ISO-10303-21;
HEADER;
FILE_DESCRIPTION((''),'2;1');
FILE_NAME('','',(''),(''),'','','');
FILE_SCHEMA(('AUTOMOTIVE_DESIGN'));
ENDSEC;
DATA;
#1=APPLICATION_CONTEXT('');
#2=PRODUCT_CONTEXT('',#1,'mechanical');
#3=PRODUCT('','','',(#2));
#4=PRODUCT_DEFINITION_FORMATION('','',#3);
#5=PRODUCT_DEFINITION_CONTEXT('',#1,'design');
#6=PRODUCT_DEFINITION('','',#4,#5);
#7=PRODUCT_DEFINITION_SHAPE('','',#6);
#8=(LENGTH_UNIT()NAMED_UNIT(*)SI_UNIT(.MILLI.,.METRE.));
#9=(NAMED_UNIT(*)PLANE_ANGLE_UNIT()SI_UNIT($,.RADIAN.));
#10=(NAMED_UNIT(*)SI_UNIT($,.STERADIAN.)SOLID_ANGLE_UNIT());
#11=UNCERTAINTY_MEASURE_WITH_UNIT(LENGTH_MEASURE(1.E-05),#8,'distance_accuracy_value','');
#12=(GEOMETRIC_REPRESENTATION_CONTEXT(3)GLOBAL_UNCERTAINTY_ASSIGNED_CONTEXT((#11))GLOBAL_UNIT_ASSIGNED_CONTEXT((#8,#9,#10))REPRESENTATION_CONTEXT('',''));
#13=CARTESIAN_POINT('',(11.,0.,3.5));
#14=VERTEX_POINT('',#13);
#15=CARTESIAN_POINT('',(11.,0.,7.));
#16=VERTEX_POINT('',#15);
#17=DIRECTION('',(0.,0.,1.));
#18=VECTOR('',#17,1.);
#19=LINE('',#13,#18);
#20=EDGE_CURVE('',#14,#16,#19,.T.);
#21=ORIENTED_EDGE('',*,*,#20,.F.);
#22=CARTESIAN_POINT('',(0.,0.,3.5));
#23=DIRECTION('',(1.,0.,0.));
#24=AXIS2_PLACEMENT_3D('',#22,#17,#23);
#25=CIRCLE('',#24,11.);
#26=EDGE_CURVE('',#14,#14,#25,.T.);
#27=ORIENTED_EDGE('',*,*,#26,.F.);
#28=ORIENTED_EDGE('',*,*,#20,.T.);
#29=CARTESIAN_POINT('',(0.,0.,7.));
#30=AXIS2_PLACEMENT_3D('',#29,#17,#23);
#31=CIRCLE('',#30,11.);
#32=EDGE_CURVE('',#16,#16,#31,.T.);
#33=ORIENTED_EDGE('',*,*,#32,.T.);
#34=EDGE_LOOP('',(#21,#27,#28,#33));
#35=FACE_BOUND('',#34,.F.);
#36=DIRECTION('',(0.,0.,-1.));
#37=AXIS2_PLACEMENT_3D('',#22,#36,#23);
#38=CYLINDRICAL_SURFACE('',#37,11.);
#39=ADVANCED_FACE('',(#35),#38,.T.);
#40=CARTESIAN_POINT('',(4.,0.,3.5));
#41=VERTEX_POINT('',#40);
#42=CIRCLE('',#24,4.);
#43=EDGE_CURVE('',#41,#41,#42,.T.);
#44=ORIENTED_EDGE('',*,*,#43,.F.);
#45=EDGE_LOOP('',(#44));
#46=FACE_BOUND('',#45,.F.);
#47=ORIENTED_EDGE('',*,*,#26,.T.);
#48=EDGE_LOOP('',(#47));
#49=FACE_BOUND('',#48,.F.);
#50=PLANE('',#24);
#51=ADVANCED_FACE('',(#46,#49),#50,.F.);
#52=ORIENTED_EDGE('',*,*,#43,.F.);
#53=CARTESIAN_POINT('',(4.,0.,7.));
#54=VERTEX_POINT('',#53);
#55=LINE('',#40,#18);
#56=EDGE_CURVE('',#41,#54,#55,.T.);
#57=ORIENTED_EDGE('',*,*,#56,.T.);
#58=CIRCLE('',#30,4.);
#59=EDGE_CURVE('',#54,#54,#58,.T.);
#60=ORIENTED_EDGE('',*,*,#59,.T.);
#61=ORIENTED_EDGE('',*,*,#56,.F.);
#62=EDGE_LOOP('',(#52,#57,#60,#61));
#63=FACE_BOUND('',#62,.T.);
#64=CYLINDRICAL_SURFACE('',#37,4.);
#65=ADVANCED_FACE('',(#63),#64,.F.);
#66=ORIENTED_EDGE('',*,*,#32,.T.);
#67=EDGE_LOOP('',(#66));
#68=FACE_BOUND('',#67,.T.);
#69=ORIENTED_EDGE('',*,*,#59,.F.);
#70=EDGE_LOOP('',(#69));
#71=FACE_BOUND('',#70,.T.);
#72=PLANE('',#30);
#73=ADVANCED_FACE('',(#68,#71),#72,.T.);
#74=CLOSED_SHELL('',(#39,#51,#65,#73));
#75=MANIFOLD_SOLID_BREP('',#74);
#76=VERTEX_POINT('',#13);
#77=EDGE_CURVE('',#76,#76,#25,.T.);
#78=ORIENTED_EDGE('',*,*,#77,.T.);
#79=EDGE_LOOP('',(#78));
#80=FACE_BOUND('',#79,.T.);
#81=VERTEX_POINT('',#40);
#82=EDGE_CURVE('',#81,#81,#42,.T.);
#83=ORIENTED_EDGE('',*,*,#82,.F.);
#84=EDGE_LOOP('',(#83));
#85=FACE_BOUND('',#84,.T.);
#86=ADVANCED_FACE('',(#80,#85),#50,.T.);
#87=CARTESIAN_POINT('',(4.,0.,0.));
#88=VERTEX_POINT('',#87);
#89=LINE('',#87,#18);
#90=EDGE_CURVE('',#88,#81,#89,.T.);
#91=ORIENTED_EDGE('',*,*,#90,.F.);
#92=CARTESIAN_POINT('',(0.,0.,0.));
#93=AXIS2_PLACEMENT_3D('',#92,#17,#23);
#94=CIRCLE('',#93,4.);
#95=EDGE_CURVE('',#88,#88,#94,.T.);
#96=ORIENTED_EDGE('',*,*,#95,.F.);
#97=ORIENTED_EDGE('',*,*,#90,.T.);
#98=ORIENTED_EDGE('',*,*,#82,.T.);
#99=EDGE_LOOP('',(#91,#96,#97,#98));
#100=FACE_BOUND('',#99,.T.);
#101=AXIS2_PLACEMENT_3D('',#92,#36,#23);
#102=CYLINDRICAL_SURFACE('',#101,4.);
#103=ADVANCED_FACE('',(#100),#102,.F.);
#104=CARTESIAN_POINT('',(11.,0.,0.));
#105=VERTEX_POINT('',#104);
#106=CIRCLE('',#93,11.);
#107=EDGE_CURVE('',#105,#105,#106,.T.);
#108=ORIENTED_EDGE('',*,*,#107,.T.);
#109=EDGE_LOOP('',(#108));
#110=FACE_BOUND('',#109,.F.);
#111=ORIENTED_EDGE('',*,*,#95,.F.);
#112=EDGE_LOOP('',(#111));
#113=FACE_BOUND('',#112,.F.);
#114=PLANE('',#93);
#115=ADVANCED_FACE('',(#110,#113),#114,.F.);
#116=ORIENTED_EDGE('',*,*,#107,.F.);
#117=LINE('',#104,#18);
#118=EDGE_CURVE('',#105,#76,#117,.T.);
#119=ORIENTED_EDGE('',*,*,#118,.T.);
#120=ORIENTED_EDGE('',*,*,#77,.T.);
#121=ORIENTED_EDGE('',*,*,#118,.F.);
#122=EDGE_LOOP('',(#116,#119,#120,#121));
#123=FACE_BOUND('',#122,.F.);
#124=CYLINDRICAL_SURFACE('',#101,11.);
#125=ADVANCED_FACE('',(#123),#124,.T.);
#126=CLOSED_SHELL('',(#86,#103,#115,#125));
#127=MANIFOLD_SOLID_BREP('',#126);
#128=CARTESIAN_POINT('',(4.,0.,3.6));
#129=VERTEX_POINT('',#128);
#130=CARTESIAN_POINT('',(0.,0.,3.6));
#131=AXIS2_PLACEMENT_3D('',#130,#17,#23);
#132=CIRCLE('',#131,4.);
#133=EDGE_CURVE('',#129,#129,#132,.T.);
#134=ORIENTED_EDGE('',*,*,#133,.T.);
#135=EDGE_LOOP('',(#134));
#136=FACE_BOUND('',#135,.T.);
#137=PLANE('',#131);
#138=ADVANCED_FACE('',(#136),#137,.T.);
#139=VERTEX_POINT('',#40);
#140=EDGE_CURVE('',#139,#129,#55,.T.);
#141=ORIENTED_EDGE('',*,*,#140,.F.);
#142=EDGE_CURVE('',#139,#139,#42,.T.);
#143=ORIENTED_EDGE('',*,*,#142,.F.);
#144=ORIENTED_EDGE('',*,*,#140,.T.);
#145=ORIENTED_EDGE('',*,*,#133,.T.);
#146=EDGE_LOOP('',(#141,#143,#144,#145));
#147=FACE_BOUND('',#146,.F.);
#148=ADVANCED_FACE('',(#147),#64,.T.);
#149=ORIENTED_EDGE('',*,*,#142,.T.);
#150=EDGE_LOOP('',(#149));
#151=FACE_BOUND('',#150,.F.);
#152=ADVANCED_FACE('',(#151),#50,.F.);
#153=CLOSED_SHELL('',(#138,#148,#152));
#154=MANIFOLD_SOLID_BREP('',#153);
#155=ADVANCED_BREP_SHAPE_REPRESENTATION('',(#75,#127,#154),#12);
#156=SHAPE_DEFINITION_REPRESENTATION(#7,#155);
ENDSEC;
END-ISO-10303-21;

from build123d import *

# Parameters (mm, degrees)
F0_R     = 11
F0_R_2   = 4
F1_DEPTH = 3.5
F2_R     = 4
F3_DEPTH = 0.1
F4_R     = 11
F4_R_2   = 4
F5_DEPTH = 3.5


with BuildPart() as f1:
    # F0 (on Top) → F1 (new body)
    with BuildSketch(Plane.XY):
        Circle(F0_R)
        Circle(F0_R_2, mode=Mode.SUBTRACT)
    extrude(amount=F1_DEPTH)


with BuildPart() as f3:
    # F2 (on face) → F3 (new body)
    with BuildSketch(Plane.XY.offset(3.5)):
        Circle(F2_R)
    extrude(amount=F3_DEPTH)


with BuildPart() as f5:
    # F4 (on face) → F5 (new body)
    with BuildSketch(Plane.XY.offset(3.5)):
        Circle(F4_R)
        Circle(F4_R_2, mode=Mode.SUBTRACT)
    extrude(amount=F5_DEPTH)


solid = Compound([f1.part, f3.part, f5.part])
